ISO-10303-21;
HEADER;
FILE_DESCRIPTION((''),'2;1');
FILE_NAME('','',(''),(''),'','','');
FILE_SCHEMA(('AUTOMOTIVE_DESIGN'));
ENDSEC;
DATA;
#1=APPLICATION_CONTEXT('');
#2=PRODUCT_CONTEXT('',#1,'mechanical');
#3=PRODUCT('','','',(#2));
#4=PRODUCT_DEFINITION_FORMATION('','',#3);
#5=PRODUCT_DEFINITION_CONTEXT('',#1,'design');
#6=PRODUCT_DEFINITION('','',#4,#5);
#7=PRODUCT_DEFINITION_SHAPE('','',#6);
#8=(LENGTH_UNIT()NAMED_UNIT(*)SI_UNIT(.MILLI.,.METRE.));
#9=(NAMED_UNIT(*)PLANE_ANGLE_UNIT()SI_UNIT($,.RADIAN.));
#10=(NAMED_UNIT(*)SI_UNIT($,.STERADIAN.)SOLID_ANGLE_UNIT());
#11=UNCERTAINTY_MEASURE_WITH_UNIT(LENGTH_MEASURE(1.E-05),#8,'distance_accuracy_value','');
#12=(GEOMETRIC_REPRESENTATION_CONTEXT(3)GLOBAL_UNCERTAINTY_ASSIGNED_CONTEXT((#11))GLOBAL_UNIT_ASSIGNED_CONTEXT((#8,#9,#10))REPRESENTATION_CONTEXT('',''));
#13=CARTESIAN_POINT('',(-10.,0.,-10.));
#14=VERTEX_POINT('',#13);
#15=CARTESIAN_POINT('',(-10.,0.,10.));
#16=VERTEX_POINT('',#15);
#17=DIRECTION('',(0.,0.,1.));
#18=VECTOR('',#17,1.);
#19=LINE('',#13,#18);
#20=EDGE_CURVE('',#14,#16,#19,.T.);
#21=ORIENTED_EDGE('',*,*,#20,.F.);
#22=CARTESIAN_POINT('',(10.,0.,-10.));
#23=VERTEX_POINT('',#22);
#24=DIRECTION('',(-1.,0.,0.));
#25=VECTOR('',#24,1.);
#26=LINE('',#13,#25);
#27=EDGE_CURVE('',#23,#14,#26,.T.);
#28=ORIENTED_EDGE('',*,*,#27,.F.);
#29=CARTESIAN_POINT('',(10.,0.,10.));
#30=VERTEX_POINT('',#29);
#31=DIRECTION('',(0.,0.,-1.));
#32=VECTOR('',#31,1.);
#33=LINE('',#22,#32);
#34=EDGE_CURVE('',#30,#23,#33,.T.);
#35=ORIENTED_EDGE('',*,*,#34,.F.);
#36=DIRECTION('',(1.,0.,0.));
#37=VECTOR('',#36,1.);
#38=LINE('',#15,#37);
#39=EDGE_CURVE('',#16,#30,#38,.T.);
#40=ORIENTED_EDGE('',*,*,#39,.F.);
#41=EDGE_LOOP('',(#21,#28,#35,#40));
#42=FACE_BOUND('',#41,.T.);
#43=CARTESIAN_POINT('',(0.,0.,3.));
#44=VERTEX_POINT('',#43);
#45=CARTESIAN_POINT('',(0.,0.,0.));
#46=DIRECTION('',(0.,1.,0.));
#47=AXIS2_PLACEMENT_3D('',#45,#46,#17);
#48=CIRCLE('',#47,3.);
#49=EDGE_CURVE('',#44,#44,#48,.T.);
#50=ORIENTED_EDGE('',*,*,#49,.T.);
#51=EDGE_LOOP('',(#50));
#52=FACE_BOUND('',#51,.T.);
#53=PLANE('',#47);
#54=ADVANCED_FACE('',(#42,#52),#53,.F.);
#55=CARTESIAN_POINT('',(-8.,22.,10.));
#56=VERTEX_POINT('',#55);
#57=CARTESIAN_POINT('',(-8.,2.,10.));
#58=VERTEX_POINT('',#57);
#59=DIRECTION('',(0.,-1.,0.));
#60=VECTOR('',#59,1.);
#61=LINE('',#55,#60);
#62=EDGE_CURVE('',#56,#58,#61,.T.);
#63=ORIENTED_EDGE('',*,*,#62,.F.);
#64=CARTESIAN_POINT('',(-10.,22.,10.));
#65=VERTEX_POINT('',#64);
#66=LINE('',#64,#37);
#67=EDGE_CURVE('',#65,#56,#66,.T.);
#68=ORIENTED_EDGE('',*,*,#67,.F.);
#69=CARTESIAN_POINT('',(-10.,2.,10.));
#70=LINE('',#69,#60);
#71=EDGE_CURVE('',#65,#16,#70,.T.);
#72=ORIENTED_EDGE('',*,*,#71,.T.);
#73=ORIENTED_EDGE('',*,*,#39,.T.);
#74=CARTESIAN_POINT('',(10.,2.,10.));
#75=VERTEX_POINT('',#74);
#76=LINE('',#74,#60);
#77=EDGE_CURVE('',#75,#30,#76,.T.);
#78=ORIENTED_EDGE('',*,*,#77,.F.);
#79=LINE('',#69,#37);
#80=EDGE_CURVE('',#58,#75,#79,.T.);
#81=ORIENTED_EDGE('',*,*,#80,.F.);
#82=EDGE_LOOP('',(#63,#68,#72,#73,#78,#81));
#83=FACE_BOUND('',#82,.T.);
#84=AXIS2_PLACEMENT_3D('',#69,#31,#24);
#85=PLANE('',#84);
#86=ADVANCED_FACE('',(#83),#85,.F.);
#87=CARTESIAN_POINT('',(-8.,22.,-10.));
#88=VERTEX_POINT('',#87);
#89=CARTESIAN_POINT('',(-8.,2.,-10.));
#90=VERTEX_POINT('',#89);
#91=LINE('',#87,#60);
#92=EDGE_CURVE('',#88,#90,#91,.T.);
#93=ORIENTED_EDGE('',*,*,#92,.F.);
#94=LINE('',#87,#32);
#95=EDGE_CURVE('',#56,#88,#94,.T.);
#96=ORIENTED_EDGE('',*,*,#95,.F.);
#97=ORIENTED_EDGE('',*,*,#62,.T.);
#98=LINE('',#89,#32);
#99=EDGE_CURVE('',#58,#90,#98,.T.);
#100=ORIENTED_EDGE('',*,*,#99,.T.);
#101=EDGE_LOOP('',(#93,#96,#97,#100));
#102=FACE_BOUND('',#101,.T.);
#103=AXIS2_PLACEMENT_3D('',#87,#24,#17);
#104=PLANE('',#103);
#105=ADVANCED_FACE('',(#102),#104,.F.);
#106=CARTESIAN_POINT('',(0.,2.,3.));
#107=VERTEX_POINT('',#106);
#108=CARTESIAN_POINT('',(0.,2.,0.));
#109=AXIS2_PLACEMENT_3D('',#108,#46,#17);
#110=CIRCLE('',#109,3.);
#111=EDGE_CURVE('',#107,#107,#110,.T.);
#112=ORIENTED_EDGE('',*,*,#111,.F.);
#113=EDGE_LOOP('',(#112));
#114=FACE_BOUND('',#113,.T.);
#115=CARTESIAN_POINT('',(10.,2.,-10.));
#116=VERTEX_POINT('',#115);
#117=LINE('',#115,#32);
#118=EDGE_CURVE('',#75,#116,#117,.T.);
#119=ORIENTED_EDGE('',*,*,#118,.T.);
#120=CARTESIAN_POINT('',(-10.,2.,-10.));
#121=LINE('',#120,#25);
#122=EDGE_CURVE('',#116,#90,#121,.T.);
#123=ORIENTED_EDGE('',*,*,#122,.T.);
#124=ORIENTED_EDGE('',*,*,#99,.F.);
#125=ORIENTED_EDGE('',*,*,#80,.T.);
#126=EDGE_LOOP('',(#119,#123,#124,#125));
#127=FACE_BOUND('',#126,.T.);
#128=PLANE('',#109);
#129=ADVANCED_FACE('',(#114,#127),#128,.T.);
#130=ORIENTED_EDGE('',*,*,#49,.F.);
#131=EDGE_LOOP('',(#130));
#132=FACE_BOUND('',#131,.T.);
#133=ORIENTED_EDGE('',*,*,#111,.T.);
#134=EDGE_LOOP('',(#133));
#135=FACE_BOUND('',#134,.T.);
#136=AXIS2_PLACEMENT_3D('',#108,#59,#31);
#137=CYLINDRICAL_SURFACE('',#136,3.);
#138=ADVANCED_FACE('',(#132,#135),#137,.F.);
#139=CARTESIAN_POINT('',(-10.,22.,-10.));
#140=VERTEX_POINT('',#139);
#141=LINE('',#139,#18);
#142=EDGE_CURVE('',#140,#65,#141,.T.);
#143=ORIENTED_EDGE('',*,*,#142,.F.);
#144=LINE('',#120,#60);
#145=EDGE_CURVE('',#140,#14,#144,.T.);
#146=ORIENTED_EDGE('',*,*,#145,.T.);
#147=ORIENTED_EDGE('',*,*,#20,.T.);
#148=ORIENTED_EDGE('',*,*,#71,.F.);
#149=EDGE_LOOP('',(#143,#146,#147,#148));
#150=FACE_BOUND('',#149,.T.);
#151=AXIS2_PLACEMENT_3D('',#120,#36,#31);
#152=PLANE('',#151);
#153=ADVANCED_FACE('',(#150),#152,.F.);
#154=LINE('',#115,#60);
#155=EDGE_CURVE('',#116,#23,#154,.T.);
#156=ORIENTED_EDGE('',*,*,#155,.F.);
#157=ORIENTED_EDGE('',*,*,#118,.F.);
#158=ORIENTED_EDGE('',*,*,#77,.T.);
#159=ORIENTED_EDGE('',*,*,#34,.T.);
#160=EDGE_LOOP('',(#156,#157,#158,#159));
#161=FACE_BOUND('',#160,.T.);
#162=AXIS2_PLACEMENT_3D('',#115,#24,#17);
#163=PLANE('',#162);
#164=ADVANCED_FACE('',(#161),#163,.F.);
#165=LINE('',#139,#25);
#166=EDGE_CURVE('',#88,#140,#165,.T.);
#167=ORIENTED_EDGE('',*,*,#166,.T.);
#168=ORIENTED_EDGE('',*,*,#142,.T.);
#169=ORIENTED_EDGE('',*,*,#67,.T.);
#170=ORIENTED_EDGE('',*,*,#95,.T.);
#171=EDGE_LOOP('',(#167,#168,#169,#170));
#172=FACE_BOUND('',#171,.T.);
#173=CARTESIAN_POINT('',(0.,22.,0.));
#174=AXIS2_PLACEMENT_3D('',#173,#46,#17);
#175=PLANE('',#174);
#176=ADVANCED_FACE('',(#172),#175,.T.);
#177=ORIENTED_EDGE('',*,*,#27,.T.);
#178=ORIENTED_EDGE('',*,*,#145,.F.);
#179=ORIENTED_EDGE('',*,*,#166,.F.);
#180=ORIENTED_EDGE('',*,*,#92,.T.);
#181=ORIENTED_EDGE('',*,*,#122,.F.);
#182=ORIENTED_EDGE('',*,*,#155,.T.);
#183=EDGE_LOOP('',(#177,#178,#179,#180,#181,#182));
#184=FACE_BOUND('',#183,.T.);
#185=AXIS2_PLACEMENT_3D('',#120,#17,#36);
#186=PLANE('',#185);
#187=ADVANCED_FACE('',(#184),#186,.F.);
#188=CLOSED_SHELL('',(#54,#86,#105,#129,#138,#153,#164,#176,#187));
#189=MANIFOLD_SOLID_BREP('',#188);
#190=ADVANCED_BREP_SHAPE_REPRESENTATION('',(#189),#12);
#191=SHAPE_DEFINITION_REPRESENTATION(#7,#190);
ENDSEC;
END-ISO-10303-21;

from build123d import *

# Parameters (mm, degrees)
SKETCH_2_W      = 20
SKETCH_2_H      = 20
SKETCH_2_R      = 3
EXTRUDE_1_DEPTH = 2
SKETCH_3_W      = 2
SKETCH_3_H      = 20
EXTRUDE_2_DEPTH = 20


with BuildPart() as part:
    # ｽｹｯﾁ2 → ﾎﾞｽ - 押し出し1 (new body)
    with BuildSketch(Plane(origin=(0, 0, 0), x_dir=(1, 0, 0), z_dir=(0, 1, 0))):
        Rectangle(SKETCH_2_W, SKETCH_2_H)
        with Locations(Location((0, 0, 0), (0, 0, 270))):
            Circle(SKETCH_2_R, mode=Mode.SUBTRACT)
    extrude(amount=EXTRUDE_1_DEPTH)

    # ｽｹｯﾁ3 → ﾎﾞｽ - 押し出し2 (add)
    with BuildSketch(Plane(origin=(0, 2, 0), x_dir=(1, 0, 0), z_dir=(0, 1, 0))):
        with Locations((-9, 0)):
            Rectangle(SKETCH_3_W, SKETCH_3_H)
    extrude(amount=EXTRUDE_2_DEPTH)


solid = part.part
